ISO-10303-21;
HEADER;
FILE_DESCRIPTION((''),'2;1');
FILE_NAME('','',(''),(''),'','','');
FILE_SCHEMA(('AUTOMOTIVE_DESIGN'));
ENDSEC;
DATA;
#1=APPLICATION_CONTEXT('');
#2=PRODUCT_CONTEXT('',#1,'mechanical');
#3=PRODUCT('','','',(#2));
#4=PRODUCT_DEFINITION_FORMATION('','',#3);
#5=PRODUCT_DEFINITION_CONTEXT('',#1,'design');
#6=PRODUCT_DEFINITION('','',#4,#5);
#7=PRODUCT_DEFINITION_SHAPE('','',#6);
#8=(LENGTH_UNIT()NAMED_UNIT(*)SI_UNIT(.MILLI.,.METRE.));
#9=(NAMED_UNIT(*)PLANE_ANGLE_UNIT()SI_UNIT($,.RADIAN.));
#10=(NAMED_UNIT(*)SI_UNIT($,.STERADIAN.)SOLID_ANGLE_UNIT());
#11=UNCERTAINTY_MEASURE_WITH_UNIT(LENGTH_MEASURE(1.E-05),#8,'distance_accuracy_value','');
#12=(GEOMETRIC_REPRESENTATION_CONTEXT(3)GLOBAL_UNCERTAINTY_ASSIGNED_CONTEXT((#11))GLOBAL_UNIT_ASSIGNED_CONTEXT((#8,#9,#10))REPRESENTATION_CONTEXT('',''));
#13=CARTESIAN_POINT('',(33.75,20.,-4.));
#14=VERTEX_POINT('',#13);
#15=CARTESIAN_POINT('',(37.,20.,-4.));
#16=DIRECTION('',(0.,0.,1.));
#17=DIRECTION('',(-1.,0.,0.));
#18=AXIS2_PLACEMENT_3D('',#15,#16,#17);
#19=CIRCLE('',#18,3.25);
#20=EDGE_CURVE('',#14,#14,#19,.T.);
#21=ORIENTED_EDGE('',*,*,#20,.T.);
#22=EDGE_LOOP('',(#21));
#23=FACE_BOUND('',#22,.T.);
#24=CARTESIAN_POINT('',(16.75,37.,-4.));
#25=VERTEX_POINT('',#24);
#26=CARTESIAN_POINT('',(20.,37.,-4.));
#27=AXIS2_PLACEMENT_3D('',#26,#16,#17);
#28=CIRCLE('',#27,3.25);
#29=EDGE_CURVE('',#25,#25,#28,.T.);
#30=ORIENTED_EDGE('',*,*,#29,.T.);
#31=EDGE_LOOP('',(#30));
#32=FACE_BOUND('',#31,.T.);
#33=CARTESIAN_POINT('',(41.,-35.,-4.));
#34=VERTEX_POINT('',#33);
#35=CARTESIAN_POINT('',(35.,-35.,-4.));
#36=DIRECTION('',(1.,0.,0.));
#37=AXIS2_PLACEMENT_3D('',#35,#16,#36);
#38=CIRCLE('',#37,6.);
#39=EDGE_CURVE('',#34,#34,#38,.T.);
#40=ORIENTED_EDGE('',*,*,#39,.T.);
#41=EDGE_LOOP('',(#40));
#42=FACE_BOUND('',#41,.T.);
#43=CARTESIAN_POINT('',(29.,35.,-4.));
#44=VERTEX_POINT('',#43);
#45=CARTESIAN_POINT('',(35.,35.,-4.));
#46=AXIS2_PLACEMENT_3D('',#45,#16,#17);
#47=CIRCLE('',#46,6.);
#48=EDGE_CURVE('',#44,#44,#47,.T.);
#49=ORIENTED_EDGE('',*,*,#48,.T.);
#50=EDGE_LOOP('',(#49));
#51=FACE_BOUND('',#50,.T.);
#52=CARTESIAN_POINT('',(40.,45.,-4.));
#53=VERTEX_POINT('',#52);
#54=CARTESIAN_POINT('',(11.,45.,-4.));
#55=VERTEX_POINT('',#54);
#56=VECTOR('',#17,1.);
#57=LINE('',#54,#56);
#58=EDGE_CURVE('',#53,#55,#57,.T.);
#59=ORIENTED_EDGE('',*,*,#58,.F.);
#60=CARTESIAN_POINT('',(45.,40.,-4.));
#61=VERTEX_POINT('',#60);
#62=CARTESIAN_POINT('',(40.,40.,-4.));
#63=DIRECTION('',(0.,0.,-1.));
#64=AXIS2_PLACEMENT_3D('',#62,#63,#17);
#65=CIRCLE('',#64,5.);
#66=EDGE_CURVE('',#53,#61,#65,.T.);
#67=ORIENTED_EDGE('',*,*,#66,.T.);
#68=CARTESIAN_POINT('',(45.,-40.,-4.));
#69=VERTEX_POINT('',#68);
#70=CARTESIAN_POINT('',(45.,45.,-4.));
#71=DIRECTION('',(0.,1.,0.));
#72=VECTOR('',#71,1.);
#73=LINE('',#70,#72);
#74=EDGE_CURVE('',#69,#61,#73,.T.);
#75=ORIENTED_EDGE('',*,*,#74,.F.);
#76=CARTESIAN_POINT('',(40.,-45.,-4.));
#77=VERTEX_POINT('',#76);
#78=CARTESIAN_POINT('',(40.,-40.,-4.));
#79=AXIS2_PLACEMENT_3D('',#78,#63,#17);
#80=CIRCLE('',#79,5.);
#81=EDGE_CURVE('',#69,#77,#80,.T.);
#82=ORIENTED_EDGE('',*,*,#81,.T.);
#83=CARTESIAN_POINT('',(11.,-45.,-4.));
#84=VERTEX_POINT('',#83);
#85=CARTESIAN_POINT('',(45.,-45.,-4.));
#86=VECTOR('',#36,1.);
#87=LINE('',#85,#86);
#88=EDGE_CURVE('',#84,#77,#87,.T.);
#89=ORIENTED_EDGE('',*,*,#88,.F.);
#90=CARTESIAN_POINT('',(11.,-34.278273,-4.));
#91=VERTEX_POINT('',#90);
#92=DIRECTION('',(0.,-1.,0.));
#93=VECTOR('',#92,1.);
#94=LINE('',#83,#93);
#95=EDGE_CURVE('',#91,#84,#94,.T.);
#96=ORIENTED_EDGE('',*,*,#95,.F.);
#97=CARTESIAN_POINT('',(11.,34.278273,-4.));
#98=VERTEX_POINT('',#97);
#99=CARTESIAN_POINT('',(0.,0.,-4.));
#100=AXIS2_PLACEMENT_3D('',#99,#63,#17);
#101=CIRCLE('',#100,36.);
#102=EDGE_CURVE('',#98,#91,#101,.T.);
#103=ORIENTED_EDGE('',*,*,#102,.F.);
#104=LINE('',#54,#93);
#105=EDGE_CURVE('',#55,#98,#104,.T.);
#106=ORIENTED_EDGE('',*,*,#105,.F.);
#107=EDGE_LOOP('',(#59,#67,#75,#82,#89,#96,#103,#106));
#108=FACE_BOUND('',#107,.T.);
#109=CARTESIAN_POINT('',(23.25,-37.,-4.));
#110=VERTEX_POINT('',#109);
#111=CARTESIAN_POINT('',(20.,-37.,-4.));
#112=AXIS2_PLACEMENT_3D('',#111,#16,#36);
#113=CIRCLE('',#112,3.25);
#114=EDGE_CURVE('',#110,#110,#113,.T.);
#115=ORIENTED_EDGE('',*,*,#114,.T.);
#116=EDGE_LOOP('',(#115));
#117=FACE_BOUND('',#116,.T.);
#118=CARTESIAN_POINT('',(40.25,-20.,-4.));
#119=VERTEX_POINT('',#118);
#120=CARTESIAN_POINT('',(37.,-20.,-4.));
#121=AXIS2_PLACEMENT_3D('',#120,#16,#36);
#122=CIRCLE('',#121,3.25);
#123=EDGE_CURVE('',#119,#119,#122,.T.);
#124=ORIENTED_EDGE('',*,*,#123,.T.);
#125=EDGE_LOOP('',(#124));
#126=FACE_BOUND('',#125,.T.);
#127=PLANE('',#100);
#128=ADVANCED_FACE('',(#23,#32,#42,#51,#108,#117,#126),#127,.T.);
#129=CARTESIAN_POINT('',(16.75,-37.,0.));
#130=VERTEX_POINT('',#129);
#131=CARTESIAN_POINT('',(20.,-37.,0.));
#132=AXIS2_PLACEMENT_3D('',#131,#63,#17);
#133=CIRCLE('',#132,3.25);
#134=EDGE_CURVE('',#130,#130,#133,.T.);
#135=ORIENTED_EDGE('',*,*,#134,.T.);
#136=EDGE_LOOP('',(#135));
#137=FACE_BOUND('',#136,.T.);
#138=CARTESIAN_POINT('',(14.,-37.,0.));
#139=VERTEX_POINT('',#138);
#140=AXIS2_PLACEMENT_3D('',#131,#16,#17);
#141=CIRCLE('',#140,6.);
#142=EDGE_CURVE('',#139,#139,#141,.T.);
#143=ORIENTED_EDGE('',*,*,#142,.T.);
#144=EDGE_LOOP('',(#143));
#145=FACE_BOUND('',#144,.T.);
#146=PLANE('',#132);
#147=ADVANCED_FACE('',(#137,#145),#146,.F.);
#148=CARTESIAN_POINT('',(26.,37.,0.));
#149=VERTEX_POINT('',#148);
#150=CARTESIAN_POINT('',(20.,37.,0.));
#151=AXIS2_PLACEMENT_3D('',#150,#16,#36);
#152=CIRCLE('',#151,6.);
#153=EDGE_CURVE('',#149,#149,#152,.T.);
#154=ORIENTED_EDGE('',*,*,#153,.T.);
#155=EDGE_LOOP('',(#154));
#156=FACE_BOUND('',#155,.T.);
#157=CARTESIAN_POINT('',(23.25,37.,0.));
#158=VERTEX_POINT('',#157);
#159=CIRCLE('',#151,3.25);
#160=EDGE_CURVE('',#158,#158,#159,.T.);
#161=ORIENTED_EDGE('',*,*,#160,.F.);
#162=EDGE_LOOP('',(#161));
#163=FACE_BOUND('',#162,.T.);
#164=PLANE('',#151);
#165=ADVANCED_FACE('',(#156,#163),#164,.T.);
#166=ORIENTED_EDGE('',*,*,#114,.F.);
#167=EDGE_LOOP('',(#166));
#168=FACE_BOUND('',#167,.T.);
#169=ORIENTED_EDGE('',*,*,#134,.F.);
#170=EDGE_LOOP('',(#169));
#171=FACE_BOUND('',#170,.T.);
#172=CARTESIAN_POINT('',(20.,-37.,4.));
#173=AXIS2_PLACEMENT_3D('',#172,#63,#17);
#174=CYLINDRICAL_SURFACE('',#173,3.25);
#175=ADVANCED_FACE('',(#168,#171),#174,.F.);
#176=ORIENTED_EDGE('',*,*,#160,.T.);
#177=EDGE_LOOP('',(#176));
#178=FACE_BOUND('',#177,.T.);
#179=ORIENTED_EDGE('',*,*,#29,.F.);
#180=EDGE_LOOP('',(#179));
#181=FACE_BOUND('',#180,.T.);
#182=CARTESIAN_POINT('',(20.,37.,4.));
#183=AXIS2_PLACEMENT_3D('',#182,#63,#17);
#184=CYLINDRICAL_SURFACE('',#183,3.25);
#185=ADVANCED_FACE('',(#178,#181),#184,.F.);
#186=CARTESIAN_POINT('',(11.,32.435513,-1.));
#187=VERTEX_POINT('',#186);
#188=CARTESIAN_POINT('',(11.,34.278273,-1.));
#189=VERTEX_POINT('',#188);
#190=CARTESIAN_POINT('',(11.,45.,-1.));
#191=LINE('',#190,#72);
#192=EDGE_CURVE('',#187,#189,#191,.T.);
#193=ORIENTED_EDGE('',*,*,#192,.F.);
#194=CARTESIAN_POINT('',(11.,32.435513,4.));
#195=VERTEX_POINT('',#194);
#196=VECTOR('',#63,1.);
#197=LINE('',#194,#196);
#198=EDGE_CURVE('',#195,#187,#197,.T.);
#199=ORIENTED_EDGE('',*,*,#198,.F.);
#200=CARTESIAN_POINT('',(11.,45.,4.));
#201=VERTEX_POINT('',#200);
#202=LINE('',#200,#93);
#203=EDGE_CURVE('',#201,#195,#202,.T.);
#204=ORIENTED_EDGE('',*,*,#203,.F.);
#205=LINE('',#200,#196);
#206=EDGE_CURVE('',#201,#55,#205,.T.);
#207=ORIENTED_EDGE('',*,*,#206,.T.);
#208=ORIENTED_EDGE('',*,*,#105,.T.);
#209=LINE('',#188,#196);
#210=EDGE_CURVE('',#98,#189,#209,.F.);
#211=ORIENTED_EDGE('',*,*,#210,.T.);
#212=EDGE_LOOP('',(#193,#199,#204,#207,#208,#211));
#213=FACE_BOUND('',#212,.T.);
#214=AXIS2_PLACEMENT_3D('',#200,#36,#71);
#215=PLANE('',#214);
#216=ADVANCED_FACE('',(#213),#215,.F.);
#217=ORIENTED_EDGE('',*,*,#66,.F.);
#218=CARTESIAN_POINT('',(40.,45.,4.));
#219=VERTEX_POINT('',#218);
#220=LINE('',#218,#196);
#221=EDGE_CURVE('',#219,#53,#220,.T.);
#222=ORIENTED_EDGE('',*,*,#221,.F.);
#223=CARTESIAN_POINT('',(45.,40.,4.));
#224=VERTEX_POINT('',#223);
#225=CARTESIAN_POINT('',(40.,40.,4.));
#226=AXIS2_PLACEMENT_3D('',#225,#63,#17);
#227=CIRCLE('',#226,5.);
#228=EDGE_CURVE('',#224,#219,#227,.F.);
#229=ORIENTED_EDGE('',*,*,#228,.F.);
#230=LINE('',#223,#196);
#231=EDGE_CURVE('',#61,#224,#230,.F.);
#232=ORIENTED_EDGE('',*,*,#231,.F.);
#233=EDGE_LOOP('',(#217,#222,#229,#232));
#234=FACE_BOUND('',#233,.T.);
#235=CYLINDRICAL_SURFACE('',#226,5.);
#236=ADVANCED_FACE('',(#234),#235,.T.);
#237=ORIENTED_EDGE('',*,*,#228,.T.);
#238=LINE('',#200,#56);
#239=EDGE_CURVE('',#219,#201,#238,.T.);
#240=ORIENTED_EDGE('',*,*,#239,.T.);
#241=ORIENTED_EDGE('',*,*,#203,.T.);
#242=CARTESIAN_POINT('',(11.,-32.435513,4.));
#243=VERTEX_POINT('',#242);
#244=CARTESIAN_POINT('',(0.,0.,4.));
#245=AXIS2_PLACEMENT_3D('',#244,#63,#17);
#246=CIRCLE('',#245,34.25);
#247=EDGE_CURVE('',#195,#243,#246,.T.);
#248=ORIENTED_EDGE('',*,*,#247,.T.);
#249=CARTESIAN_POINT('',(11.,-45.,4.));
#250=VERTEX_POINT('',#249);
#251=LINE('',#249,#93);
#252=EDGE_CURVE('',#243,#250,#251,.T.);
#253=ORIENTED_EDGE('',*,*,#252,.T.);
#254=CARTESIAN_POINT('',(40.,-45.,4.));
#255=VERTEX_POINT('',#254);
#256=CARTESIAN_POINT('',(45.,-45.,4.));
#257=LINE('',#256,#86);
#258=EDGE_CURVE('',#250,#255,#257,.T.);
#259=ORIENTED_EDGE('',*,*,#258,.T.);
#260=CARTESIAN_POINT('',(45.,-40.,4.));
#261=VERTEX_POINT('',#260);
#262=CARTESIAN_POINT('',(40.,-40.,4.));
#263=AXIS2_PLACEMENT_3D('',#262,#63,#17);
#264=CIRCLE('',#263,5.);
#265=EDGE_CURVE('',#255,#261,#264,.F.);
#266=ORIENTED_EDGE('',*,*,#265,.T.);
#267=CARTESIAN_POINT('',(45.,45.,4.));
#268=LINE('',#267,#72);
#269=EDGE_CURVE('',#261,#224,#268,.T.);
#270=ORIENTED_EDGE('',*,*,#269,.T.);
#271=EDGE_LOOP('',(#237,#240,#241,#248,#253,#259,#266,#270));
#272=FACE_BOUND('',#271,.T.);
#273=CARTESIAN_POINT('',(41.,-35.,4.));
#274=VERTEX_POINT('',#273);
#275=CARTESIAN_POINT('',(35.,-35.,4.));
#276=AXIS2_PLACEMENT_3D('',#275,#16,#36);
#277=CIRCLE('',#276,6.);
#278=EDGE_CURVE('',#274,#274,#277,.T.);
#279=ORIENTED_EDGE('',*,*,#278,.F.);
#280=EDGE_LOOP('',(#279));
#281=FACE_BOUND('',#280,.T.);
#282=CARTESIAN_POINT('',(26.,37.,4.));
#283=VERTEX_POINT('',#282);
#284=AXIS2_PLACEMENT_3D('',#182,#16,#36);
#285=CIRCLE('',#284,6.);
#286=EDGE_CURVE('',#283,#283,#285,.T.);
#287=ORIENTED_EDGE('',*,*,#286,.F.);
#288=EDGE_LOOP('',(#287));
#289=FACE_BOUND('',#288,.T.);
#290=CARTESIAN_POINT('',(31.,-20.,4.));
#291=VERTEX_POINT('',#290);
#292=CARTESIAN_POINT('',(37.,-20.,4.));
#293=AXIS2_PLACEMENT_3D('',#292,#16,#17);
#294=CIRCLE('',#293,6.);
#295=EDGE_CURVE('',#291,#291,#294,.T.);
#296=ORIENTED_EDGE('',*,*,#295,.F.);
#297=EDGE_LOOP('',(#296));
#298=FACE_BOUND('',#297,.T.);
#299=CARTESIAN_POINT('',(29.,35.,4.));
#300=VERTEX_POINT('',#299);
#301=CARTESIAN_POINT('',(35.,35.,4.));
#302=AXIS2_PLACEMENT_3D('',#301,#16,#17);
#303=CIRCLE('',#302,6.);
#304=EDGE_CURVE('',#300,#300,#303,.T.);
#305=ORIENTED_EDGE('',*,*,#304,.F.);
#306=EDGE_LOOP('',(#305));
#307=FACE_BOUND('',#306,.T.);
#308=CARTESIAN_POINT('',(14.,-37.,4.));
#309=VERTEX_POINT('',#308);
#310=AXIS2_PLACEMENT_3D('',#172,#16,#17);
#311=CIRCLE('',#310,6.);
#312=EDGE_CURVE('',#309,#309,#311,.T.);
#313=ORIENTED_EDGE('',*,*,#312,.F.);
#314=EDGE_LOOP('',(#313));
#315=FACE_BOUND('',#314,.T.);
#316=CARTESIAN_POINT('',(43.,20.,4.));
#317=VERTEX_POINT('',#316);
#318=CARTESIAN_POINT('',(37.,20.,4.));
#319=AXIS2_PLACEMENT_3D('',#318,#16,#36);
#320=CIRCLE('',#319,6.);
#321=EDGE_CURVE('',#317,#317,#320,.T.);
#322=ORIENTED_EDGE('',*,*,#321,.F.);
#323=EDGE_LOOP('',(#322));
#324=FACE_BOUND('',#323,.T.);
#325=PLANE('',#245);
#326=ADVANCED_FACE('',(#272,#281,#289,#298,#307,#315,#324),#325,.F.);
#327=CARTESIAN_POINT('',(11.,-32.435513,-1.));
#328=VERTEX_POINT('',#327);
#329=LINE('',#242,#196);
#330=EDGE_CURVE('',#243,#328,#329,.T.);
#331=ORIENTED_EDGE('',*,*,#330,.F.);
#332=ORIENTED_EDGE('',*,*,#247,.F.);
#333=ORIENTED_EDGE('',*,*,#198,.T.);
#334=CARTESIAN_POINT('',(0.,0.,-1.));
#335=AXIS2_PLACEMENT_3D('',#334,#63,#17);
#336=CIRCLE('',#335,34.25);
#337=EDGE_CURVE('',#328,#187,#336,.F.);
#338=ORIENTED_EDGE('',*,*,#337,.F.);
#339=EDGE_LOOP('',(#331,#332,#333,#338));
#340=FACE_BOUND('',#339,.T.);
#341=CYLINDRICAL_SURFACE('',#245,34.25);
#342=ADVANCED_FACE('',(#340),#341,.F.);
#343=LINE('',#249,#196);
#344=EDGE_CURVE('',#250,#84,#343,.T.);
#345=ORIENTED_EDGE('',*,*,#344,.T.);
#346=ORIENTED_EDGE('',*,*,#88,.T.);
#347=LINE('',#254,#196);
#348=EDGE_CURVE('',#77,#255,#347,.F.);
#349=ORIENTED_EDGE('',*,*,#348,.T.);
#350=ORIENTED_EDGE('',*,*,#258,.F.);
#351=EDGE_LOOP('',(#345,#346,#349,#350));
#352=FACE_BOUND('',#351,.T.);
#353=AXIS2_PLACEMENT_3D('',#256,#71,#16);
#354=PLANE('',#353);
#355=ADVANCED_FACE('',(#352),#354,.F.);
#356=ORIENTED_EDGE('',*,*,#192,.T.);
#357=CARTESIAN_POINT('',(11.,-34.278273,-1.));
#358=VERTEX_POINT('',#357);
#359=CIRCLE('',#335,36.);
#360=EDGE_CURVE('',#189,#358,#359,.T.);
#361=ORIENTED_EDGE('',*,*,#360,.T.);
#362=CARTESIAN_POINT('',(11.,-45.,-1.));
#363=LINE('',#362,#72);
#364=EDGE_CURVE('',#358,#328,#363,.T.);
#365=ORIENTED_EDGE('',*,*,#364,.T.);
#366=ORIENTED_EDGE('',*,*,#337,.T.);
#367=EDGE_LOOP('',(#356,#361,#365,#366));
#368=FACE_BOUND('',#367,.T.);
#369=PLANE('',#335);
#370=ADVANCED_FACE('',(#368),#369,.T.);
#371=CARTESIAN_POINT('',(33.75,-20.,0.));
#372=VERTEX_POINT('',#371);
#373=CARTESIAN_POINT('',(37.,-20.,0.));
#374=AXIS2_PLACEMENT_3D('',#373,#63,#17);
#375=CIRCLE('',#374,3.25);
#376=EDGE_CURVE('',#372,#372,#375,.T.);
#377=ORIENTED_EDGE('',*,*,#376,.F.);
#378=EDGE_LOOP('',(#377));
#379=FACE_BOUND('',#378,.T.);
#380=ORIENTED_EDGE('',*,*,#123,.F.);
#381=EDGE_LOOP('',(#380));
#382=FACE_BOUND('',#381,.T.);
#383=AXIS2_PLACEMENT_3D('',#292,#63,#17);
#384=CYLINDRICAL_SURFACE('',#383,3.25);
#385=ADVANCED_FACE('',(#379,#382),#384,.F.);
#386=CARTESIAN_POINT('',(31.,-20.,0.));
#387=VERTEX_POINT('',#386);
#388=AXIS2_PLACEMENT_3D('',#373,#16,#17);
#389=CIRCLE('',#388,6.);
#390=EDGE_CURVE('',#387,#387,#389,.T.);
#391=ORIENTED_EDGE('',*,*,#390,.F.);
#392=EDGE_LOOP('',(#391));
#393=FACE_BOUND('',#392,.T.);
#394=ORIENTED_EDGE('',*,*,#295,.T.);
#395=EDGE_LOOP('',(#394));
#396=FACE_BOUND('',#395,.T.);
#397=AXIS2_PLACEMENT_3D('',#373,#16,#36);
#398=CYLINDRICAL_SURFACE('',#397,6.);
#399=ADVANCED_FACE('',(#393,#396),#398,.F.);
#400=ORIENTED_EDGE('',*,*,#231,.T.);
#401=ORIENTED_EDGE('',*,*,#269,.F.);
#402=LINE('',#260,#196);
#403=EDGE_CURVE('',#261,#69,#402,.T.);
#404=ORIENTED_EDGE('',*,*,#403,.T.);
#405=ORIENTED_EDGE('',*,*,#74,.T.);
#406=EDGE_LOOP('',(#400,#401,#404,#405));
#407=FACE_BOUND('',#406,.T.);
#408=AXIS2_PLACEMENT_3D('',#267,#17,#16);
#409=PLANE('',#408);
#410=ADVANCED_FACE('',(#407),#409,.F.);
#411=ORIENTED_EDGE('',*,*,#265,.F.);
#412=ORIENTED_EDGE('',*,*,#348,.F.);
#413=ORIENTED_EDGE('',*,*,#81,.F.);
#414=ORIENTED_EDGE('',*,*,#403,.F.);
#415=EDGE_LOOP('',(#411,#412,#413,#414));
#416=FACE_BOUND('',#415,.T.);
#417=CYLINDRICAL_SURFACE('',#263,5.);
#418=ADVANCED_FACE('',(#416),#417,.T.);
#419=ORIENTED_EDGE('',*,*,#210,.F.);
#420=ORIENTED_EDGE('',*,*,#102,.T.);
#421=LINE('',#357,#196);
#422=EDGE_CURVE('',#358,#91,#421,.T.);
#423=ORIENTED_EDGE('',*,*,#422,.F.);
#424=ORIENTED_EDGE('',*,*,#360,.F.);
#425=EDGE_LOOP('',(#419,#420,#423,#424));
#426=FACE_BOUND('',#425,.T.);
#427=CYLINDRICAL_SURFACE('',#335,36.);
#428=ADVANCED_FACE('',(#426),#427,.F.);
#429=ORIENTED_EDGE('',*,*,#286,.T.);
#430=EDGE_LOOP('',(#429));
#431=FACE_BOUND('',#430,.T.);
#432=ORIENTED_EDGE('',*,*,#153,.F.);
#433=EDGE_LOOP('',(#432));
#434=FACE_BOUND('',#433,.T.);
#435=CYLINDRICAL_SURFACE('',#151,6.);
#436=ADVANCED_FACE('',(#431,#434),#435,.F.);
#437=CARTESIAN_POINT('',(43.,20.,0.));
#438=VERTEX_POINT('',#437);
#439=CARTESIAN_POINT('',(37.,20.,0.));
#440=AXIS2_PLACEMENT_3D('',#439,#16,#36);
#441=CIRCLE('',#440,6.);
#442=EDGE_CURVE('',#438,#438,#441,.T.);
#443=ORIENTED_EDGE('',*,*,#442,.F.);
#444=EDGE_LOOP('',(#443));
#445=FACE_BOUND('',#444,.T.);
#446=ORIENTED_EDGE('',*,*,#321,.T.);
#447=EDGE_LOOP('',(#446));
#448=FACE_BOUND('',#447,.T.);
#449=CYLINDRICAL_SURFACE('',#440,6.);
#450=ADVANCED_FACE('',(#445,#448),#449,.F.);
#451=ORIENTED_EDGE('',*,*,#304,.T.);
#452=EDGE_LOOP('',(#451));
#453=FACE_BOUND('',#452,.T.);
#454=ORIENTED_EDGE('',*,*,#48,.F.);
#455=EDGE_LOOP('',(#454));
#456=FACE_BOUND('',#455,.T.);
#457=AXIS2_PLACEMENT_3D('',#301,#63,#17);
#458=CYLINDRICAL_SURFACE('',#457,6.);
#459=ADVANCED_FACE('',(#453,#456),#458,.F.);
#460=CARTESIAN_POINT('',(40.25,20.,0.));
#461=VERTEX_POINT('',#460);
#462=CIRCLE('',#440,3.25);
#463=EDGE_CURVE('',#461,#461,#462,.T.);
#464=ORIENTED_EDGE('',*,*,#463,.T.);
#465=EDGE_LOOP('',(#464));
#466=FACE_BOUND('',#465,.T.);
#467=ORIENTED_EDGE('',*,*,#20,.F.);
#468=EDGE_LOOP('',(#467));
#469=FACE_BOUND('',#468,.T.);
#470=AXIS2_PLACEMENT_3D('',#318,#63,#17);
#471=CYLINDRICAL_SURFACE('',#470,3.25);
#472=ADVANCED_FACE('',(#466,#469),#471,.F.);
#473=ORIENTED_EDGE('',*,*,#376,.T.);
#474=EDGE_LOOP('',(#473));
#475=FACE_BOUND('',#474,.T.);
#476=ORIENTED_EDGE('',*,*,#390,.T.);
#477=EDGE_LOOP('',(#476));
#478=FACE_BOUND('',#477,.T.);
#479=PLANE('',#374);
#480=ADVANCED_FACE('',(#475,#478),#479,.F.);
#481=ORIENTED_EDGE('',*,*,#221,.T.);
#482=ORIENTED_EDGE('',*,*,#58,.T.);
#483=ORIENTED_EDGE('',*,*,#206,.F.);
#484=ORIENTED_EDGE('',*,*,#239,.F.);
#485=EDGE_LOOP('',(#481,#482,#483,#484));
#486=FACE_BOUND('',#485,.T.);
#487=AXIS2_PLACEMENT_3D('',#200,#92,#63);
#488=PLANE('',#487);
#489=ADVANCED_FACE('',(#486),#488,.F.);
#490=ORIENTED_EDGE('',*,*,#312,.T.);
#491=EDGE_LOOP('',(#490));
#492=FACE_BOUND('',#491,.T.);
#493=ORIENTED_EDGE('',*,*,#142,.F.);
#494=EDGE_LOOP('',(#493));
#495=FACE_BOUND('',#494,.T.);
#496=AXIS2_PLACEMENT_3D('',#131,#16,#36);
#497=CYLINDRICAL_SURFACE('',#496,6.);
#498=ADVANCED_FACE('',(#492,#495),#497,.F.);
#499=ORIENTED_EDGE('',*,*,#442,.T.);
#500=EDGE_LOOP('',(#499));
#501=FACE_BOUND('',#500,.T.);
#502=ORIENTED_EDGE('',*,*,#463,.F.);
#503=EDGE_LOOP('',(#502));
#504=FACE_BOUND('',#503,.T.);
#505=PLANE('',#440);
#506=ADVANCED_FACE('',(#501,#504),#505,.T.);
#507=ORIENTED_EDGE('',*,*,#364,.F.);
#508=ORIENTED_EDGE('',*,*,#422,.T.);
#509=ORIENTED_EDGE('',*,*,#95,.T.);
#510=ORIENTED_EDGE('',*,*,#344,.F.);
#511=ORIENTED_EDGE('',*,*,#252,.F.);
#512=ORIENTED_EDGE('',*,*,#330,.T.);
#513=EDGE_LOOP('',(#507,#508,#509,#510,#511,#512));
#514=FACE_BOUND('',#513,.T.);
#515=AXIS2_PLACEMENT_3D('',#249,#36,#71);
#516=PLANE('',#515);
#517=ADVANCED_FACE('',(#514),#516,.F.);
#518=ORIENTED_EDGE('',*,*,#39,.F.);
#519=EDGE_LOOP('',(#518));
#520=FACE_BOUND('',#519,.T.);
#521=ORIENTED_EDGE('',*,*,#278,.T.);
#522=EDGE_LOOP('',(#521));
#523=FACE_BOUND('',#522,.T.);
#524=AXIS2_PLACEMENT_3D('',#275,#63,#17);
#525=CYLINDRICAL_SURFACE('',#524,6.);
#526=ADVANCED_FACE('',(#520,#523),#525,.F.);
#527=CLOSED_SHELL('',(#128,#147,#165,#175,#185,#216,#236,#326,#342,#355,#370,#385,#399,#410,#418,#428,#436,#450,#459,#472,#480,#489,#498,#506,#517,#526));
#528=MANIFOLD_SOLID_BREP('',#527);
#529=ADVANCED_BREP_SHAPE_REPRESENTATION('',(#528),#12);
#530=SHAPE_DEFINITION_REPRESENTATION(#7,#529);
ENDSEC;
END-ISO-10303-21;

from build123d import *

# Parameters (mm, degrees)
SKETCH1_R           = 3.25
SKETCH1_R_2         = 6
BOSS_EXTRUDE1_DEPTH = 4
SKETCH3_R           = 36
CUT_EXTRUDE2_DEPTH  = 3
FILLET1_R           = 5
SKETCH4_R           = 6
CUT_EXTRUDE3_DEPTH  = 4


with BuildPart() as part:
    # Sketch1 → Boss-Extrude1 (new body, symmetric)
    with BuildSketch(Plane.XY):
        with BuildLine():
            Line((45, -45), (11, -45))
            Line((11, -45), (11, -32.435512945))
            ThreePointArc((11, -32.435512945), (34.25, 0), (11, 32.435512945))
            Line((11, 32.435512945), (11, 45))
            Line((11, 45), (45, 45))
            Line((45, 45), (45, -45))
        make_face()
        with Locations((20, 37)):
            Circle(SKETCH1_R, mode=Mode.SUBTRACT)
        with Locations((35, 35)):
            Circle(SKETCH1_R_2, mode=Mode.SUBTRACT)
        with Locations((37, 20)):
            Circle(SKETCH1_R, mode=Mode.SUBTRACT)
        with Locations((37, -20)):
            Circle(SKETCH1_R, mode=Mode.SUBTRACT)
        with Locations((35, -35)):
            Circle(SKETCH1_R_2, mode=Mode.SUBTRACT)
        with Locations((20, -37)):
            Circle(SKETCH1_R, mode=Mode.SUBTRACT)
    extrude(amount=BOSS_EXTRUDE1_DEPTH, both=True)

    # Sketch3 → Cut-Extrude2 (cut)
    with BuildSketch(Plane(origin=(0, 0, -4), x_dir=(-1, 0, 0), z_dir=(0, 0, -1))):
        Circle(SKETCH3_R)
    extrude(amount=-CUT_EXTRUDE2_DEPTH, mode=Mode.SUBTRACT)

    # Fillet1
    fillet1_edges = [part.edges().sort_by_distance(p)[0] for p in [
        (45, 45, 0),
        (45, -45, 0),
    ]]
    fillet(fillet1_edges, radius=FILLET1_R)

    # Sketch4 → Cut-Extrude3 (cut)
    with BuildSketch(Plane.XY.offset(4)):
        with Locations((20, 37)):
            Circle(SKETCH4_R)
        with Locations((37, 20)):
            Circle(SKETCH4_R)
        with Locations((20, -37)):
            Circle(SKETCH4_R)
        with Locations((37, -20)):
            Circle(SKETCH4_R)
    extrude(amount=-CUT_EXTRUDE3_DEPTH, mode=Mode.SUBTRACT)


solid = part.part
